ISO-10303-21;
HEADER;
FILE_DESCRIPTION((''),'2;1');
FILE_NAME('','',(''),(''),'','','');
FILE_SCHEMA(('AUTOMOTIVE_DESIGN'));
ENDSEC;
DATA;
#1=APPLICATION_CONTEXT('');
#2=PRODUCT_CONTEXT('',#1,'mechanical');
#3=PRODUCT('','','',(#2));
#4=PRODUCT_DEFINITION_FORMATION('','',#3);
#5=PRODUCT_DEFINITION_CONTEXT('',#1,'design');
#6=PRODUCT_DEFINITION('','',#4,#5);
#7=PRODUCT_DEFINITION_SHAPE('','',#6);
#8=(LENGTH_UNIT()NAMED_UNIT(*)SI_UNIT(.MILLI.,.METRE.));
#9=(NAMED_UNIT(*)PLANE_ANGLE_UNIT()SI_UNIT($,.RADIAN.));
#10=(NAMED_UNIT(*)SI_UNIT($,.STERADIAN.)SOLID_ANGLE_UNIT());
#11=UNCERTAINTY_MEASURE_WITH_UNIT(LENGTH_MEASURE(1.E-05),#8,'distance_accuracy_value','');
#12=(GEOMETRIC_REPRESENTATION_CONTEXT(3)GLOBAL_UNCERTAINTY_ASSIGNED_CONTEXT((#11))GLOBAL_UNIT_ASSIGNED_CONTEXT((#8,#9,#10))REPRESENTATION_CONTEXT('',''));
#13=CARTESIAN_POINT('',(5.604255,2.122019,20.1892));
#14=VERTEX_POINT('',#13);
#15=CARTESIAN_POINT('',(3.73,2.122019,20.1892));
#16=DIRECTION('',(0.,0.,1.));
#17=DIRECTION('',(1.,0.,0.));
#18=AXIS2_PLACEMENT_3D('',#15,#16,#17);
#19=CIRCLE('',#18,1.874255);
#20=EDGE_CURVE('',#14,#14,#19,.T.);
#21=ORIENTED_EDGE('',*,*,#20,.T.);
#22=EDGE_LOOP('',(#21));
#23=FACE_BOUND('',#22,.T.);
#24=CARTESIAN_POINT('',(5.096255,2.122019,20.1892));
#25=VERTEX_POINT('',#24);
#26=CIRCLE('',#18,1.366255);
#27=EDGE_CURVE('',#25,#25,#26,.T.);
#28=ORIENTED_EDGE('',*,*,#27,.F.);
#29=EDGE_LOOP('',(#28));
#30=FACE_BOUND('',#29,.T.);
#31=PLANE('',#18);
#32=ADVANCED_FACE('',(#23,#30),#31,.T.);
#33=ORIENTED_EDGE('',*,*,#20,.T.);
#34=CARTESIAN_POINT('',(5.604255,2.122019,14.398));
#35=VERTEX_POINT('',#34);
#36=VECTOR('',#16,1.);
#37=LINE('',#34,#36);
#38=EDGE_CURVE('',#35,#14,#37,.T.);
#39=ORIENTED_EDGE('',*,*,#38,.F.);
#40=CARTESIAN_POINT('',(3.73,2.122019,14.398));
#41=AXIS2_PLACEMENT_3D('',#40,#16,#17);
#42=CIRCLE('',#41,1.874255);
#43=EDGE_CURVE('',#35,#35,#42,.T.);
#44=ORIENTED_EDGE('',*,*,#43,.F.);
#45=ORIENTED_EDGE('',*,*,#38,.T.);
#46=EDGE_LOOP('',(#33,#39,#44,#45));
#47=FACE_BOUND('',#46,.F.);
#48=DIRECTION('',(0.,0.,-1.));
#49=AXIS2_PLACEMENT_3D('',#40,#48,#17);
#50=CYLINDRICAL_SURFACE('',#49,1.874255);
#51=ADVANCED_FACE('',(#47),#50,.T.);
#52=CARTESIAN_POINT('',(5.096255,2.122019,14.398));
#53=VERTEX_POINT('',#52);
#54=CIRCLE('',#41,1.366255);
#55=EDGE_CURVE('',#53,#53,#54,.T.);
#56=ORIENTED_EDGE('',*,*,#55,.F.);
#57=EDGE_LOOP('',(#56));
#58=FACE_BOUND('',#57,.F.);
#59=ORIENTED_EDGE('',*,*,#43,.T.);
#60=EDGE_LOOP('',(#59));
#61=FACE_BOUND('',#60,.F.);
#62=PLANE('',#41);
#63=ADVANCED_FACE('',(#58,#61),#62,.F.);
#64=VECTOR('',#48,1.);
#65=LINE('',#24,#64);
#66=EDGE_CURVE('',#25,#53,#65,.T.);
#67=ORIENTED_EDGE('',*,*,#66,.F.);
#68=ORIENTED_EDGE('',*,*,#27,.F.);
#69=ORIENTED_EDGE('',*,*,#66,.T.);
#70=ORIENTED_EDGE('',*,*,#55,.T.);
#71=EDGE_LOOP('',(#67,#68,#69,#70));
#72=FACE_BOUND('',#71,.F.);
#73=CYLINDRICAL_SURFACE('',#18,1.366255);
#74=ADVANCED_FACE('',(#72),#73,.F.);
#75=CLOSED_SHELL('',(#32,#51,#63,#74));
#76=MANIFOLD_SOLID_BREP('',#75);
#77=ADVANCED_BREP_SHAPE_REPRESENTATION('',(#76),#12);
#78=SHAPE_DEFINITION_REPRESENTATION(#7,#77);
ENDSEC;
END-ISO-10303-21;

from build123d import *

# Parameters (mm, degrees)
F0_W      = 10
F0_H      = 6.7840377057
F1_DEPTH  = 5
F2_W      = 3.0169537012
F2_H      = 6.7840377057
F2_H_2    = 2.6365290302
F3_DEPTH  = 5
F5_DEPTH  = 5
F6_DEPTH  = 3.302
F8_R      = 1.8742550682
F9_DEPTH  = 5.7912
F11_R     = 1.3662550682
F12_DEPTH = 25.4


with BuildPart() as f1:
    # F0 (on Top) → F1 (new body)
    with BuildSketch(Plane.XY):
        Rectangle(F0_W, F0_H)
    extrude(amount=F1_DEPTH)

    # F2 (on face) → F3 (join, through all)
    with BuildSketch(Plane.XY.offset(5)):
        with Locations((-3.4915231494, 0)):
            Rectangle(F2_W, F2_H)
        with Locations((-3.4915231494, 4.7102833679)):
            Rectangle(F2_W, F2_H_2)
    extrude(amount=-F3_DEPTH)

    # F4 (on face) → F5 (join, through all)
    with BuildSketch(Plane.XY.offset(5)):
        with BuildLine():
            ThreePointArc((5, -0.0776856728), (5.9297045256, 0.8520188529), (6.27, 2.1220188529))
            ThreePointArc((6.27, 2.1220188529), (4.3874003746, 4.5754704516), (1.5302954744, 3.3920188529))
            Line((1.5302954744, 3.3920188529), (5, 3.3920188529))
            Line((5, 3.3920188529), (5, -0.0776856728))
        make_face()
    extrude(amount=-F5_DEPTH)

    # F6 (cut): a face of the model
    f6_faces = [f1.faces().sort_by_distance(p)[0] for p in [
        (0.07415591, 0.7148582384, 5),
    ]]
    extrude(f6_faces, amount=-F6_DEPTH, mode=Mode.SUBTRACT)


with BuildPart() as f9:
    # F8 (on offset) → F9 (new body)
    with BuildSketch(Plane.XY.offset(14.398)):
        with Locations((3.73, 2.1220188529)):
            Circle(F8_R)
    extrude(amount=F9_DEPTH)

    # F11 (on face) → F12 (cut)
    with BuildSketch(Plane.XY.offset(20.1892)):
        with Locations((3.73, 2.1220188529)):
            Circle(F11_R)
    extrude(amount=-F12_DEPTH, mode=Mode.SUBTRACT)


solid = f9.part
